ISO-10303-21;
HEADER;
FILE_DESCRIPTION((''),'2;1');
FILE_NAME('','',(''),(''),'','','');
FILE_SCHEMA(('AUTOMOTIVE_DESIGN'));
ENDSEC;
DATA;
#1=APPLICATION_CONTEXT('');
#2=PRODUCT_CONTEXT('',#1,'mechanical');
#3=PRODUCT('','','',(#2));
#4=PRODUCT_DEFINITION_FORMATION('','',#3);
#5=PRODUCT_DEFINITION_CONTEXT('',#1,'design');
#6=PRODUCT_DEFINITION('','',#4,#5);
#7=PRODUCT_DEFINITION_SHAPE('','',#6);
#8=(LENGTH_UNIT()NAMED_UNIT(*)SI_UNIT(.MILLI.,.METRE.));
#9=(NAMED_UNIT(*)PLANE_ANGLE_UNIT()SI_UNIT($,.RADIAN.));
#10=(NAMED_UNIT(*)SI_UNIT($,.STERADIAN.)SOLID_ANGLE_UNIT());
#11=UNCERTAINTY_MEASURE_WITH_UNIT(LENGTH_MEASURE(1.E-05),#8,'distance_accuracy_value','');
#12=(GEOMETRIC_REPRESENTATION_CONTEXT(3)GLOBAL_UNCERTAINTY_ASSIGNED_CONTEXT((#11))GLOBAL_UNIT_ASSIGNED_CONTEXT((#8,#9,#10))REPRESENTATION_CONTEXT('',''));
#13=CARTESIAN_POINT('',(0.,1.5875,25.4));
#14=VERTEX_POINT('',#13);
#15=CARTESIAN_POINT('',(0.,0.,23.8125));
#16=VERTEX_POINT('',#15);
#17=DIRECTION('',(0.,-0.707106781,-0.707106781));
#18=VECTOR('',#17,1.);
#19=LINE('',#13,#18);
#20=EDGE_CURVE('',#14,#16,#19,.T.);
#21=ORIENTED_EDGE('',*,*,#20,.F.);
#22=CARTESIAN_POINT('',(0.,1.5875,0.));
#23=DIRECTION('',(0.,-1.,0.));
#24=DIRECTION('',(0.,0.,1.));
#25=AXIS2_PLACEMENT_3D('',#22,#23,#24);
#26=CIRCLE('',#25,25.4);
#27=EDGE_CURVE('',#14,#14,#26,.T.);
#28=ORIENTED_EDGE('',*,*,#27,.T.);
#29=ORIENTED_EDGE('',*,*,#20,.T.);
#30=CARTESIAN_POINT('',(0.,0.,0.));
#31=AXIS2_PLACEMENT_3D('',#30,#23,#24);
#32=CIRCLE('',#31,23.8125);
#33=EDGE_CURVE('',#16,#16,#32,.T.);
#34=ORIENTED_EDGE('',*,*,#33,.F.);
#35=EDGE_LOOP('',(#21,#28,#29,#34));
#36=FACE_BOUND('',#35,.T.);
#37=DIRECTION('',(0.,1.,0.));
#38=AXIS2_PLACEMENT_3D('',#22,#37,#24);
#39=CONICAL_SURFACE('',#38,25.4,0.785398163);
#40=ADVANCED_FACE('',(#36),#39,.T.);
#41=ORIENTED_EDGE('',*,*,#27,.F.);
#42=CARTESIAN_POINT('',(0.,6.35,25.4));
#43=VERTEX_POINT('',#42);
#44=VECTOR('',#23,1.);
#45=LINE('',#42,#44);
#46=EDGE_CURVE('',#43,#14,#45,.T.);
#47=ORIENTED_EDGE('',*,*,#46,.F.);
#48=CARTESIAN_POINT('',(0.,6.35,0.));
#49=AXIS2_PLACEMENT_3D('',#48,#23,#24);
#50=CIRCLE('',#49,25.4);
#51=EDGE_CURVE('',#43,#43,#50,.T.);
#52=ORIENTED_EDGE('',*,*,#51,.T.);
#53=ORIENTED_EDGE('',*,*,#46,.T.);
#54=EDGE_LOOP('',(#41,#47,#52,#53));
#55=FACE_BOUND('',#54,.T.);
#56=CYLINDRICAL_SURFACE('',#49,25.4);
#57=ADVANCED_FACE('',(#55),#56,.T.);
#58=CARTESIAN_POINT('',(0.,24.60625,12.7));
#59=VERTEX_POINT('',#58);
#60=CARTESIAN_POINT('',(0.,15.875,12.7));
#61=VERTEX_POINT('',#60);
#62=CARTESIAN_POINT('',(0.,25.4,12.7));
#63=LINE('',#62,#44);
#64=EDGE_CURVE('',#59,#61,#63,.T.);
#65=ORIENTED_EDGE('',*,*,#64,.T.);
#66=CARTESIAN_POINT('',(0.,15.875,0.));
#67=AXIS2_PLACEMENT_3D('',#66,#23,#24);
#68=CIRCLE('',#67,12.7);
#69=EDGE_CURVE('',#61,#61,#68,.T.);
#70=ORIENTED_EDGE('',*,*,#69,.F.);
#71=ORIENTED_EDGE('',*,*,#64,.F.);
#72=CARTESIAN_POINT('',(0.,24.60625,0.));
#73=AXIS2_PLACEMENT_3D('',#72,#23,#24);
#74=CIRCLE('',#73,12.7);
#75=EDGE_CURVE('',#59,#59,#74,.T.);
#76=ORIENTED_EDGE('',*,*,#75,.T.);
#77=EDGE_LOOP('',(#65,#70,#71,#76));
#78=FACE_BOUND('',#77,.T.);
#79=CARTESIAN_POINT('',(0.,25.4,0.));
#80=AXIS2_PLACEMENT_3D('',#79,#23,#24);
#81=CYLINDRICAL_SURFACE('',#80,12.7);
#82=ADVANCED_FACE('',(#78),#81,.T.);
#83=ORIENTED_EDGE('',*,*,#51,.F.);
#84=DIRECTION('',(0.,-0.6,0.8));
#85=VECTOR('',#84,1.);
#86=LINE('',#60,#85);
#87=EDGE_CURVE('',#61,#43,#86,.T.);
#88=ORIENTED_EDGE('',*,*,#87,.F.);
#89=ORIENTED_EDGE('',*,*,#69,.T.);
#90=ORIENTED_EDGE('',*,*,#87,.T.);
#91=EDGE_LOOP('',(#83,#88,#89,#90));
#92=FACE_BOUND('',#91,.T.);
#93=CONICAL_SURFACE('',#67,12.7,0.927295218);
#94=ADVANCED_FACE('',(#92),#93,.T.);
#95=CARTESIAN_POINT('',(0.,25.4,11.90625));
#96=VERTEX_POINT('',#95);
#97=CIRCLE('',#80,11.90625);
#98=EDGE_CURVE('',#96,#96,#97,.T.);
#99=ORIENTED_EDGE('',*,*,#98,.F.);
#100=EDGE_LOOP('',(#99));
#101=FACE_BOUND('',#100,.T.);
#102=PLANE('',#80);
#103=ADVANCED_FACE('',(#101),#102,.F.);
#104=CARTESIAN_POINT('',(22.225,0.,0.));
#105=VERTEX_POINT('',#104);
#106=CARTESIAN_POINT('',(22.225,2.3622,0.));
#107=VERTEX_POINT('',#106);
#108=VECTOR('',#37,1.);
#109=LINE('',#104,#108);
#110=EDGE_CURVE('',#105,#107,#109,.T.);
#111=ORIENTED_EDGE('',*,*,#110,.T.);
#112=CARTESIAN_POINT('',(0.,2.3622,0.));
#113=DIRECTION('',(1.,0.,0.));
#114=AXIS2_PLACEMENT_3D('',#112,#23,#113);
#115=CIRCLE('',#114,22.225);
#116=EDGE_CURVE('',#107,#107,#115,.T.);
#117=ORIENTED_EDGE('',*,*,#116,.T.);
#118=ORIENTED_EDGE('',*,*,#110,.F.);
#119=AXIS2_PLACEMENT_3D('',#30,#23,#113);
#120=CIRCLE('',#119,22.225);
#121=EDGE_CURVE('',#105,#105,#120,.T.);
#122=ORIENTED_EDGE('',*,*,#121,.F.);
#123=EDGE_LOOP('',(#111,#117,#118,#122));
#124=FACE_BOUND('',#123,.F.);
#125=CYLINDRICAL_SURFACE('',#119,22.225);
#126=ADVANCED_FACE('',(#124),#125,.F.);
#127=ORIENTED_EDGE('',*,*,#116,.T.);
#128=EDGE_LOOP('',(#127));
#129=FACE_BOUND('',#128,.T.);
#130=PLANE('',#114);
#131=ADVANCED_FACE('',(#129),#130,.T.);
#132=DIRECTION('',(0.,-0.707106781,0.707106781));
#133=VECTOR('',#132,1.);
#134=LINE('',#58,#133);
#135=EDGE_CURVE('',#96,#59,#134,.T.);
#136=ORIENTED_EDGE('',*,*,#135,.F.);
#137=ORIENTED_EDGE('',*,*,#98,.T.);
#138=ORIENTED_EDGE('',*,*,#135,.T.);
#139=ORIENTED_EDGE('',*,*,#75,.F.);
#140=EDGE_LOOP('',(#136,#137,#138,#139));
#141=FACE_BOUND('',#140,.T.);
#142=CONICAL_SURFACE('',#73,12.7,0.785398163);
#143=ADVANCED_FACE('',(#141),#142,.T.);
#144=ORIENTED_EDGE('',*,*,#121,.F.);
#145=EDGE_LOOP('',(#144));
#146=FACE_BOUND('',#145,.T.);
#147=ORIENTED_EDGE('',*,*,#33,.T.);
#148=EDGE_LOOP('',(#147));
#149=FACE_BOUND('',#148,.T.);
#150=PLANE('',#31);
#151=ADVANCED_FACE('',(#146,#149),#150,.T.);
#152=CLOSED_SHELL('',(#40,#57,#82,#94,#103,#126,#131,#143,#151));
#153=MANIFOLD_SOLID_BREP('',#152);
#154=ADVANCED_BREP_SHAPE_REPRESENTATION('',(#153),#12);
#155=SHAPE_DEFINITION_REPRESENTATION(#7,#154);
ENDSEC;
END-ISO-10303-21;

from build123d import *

# Parameters (mm, degrees)
F2_SIZE  = 0.79375
F3_SIZE  = 1.5875
F4_R     = 22.225
F5_DEPTH = 2.3622


with BuildPart() as f1:
    # F0 (on Right) → F1 (revolve)
    with BuildSketch(Plane.YZ):
        Polygon((0, 25.4), (0, 0), (25.4, 0), (25.4, 12.7), (15.875, 12.7), (6.35, 25.4), align=None)
    revolve(axis=Axis((0, 12.7, 0), (0, -1, 0)))

    # F2
    f2_edges = [f1.edges().sort_by_distance(p)[0] for p in [
        (0, 25.4, -12.7),
    ]]
    chamfer(f2_edges, length=F2_SIZE)

    # F3
    f3_edges = [f1.edges().sort_by_distance(p)[0] for p in [
        (0, 0, -25.4),
    ]]
    chamfer(f3_edges, length=F3_SIZE)

    # F4 (on face) → F5 (cut)
    with BuildSketch(Plane.XZ):
        Circle(F4_R)
    extrude(amount=-F5_DEPTH, mode=Mode.SUBTRACT)


solid = f1.part
